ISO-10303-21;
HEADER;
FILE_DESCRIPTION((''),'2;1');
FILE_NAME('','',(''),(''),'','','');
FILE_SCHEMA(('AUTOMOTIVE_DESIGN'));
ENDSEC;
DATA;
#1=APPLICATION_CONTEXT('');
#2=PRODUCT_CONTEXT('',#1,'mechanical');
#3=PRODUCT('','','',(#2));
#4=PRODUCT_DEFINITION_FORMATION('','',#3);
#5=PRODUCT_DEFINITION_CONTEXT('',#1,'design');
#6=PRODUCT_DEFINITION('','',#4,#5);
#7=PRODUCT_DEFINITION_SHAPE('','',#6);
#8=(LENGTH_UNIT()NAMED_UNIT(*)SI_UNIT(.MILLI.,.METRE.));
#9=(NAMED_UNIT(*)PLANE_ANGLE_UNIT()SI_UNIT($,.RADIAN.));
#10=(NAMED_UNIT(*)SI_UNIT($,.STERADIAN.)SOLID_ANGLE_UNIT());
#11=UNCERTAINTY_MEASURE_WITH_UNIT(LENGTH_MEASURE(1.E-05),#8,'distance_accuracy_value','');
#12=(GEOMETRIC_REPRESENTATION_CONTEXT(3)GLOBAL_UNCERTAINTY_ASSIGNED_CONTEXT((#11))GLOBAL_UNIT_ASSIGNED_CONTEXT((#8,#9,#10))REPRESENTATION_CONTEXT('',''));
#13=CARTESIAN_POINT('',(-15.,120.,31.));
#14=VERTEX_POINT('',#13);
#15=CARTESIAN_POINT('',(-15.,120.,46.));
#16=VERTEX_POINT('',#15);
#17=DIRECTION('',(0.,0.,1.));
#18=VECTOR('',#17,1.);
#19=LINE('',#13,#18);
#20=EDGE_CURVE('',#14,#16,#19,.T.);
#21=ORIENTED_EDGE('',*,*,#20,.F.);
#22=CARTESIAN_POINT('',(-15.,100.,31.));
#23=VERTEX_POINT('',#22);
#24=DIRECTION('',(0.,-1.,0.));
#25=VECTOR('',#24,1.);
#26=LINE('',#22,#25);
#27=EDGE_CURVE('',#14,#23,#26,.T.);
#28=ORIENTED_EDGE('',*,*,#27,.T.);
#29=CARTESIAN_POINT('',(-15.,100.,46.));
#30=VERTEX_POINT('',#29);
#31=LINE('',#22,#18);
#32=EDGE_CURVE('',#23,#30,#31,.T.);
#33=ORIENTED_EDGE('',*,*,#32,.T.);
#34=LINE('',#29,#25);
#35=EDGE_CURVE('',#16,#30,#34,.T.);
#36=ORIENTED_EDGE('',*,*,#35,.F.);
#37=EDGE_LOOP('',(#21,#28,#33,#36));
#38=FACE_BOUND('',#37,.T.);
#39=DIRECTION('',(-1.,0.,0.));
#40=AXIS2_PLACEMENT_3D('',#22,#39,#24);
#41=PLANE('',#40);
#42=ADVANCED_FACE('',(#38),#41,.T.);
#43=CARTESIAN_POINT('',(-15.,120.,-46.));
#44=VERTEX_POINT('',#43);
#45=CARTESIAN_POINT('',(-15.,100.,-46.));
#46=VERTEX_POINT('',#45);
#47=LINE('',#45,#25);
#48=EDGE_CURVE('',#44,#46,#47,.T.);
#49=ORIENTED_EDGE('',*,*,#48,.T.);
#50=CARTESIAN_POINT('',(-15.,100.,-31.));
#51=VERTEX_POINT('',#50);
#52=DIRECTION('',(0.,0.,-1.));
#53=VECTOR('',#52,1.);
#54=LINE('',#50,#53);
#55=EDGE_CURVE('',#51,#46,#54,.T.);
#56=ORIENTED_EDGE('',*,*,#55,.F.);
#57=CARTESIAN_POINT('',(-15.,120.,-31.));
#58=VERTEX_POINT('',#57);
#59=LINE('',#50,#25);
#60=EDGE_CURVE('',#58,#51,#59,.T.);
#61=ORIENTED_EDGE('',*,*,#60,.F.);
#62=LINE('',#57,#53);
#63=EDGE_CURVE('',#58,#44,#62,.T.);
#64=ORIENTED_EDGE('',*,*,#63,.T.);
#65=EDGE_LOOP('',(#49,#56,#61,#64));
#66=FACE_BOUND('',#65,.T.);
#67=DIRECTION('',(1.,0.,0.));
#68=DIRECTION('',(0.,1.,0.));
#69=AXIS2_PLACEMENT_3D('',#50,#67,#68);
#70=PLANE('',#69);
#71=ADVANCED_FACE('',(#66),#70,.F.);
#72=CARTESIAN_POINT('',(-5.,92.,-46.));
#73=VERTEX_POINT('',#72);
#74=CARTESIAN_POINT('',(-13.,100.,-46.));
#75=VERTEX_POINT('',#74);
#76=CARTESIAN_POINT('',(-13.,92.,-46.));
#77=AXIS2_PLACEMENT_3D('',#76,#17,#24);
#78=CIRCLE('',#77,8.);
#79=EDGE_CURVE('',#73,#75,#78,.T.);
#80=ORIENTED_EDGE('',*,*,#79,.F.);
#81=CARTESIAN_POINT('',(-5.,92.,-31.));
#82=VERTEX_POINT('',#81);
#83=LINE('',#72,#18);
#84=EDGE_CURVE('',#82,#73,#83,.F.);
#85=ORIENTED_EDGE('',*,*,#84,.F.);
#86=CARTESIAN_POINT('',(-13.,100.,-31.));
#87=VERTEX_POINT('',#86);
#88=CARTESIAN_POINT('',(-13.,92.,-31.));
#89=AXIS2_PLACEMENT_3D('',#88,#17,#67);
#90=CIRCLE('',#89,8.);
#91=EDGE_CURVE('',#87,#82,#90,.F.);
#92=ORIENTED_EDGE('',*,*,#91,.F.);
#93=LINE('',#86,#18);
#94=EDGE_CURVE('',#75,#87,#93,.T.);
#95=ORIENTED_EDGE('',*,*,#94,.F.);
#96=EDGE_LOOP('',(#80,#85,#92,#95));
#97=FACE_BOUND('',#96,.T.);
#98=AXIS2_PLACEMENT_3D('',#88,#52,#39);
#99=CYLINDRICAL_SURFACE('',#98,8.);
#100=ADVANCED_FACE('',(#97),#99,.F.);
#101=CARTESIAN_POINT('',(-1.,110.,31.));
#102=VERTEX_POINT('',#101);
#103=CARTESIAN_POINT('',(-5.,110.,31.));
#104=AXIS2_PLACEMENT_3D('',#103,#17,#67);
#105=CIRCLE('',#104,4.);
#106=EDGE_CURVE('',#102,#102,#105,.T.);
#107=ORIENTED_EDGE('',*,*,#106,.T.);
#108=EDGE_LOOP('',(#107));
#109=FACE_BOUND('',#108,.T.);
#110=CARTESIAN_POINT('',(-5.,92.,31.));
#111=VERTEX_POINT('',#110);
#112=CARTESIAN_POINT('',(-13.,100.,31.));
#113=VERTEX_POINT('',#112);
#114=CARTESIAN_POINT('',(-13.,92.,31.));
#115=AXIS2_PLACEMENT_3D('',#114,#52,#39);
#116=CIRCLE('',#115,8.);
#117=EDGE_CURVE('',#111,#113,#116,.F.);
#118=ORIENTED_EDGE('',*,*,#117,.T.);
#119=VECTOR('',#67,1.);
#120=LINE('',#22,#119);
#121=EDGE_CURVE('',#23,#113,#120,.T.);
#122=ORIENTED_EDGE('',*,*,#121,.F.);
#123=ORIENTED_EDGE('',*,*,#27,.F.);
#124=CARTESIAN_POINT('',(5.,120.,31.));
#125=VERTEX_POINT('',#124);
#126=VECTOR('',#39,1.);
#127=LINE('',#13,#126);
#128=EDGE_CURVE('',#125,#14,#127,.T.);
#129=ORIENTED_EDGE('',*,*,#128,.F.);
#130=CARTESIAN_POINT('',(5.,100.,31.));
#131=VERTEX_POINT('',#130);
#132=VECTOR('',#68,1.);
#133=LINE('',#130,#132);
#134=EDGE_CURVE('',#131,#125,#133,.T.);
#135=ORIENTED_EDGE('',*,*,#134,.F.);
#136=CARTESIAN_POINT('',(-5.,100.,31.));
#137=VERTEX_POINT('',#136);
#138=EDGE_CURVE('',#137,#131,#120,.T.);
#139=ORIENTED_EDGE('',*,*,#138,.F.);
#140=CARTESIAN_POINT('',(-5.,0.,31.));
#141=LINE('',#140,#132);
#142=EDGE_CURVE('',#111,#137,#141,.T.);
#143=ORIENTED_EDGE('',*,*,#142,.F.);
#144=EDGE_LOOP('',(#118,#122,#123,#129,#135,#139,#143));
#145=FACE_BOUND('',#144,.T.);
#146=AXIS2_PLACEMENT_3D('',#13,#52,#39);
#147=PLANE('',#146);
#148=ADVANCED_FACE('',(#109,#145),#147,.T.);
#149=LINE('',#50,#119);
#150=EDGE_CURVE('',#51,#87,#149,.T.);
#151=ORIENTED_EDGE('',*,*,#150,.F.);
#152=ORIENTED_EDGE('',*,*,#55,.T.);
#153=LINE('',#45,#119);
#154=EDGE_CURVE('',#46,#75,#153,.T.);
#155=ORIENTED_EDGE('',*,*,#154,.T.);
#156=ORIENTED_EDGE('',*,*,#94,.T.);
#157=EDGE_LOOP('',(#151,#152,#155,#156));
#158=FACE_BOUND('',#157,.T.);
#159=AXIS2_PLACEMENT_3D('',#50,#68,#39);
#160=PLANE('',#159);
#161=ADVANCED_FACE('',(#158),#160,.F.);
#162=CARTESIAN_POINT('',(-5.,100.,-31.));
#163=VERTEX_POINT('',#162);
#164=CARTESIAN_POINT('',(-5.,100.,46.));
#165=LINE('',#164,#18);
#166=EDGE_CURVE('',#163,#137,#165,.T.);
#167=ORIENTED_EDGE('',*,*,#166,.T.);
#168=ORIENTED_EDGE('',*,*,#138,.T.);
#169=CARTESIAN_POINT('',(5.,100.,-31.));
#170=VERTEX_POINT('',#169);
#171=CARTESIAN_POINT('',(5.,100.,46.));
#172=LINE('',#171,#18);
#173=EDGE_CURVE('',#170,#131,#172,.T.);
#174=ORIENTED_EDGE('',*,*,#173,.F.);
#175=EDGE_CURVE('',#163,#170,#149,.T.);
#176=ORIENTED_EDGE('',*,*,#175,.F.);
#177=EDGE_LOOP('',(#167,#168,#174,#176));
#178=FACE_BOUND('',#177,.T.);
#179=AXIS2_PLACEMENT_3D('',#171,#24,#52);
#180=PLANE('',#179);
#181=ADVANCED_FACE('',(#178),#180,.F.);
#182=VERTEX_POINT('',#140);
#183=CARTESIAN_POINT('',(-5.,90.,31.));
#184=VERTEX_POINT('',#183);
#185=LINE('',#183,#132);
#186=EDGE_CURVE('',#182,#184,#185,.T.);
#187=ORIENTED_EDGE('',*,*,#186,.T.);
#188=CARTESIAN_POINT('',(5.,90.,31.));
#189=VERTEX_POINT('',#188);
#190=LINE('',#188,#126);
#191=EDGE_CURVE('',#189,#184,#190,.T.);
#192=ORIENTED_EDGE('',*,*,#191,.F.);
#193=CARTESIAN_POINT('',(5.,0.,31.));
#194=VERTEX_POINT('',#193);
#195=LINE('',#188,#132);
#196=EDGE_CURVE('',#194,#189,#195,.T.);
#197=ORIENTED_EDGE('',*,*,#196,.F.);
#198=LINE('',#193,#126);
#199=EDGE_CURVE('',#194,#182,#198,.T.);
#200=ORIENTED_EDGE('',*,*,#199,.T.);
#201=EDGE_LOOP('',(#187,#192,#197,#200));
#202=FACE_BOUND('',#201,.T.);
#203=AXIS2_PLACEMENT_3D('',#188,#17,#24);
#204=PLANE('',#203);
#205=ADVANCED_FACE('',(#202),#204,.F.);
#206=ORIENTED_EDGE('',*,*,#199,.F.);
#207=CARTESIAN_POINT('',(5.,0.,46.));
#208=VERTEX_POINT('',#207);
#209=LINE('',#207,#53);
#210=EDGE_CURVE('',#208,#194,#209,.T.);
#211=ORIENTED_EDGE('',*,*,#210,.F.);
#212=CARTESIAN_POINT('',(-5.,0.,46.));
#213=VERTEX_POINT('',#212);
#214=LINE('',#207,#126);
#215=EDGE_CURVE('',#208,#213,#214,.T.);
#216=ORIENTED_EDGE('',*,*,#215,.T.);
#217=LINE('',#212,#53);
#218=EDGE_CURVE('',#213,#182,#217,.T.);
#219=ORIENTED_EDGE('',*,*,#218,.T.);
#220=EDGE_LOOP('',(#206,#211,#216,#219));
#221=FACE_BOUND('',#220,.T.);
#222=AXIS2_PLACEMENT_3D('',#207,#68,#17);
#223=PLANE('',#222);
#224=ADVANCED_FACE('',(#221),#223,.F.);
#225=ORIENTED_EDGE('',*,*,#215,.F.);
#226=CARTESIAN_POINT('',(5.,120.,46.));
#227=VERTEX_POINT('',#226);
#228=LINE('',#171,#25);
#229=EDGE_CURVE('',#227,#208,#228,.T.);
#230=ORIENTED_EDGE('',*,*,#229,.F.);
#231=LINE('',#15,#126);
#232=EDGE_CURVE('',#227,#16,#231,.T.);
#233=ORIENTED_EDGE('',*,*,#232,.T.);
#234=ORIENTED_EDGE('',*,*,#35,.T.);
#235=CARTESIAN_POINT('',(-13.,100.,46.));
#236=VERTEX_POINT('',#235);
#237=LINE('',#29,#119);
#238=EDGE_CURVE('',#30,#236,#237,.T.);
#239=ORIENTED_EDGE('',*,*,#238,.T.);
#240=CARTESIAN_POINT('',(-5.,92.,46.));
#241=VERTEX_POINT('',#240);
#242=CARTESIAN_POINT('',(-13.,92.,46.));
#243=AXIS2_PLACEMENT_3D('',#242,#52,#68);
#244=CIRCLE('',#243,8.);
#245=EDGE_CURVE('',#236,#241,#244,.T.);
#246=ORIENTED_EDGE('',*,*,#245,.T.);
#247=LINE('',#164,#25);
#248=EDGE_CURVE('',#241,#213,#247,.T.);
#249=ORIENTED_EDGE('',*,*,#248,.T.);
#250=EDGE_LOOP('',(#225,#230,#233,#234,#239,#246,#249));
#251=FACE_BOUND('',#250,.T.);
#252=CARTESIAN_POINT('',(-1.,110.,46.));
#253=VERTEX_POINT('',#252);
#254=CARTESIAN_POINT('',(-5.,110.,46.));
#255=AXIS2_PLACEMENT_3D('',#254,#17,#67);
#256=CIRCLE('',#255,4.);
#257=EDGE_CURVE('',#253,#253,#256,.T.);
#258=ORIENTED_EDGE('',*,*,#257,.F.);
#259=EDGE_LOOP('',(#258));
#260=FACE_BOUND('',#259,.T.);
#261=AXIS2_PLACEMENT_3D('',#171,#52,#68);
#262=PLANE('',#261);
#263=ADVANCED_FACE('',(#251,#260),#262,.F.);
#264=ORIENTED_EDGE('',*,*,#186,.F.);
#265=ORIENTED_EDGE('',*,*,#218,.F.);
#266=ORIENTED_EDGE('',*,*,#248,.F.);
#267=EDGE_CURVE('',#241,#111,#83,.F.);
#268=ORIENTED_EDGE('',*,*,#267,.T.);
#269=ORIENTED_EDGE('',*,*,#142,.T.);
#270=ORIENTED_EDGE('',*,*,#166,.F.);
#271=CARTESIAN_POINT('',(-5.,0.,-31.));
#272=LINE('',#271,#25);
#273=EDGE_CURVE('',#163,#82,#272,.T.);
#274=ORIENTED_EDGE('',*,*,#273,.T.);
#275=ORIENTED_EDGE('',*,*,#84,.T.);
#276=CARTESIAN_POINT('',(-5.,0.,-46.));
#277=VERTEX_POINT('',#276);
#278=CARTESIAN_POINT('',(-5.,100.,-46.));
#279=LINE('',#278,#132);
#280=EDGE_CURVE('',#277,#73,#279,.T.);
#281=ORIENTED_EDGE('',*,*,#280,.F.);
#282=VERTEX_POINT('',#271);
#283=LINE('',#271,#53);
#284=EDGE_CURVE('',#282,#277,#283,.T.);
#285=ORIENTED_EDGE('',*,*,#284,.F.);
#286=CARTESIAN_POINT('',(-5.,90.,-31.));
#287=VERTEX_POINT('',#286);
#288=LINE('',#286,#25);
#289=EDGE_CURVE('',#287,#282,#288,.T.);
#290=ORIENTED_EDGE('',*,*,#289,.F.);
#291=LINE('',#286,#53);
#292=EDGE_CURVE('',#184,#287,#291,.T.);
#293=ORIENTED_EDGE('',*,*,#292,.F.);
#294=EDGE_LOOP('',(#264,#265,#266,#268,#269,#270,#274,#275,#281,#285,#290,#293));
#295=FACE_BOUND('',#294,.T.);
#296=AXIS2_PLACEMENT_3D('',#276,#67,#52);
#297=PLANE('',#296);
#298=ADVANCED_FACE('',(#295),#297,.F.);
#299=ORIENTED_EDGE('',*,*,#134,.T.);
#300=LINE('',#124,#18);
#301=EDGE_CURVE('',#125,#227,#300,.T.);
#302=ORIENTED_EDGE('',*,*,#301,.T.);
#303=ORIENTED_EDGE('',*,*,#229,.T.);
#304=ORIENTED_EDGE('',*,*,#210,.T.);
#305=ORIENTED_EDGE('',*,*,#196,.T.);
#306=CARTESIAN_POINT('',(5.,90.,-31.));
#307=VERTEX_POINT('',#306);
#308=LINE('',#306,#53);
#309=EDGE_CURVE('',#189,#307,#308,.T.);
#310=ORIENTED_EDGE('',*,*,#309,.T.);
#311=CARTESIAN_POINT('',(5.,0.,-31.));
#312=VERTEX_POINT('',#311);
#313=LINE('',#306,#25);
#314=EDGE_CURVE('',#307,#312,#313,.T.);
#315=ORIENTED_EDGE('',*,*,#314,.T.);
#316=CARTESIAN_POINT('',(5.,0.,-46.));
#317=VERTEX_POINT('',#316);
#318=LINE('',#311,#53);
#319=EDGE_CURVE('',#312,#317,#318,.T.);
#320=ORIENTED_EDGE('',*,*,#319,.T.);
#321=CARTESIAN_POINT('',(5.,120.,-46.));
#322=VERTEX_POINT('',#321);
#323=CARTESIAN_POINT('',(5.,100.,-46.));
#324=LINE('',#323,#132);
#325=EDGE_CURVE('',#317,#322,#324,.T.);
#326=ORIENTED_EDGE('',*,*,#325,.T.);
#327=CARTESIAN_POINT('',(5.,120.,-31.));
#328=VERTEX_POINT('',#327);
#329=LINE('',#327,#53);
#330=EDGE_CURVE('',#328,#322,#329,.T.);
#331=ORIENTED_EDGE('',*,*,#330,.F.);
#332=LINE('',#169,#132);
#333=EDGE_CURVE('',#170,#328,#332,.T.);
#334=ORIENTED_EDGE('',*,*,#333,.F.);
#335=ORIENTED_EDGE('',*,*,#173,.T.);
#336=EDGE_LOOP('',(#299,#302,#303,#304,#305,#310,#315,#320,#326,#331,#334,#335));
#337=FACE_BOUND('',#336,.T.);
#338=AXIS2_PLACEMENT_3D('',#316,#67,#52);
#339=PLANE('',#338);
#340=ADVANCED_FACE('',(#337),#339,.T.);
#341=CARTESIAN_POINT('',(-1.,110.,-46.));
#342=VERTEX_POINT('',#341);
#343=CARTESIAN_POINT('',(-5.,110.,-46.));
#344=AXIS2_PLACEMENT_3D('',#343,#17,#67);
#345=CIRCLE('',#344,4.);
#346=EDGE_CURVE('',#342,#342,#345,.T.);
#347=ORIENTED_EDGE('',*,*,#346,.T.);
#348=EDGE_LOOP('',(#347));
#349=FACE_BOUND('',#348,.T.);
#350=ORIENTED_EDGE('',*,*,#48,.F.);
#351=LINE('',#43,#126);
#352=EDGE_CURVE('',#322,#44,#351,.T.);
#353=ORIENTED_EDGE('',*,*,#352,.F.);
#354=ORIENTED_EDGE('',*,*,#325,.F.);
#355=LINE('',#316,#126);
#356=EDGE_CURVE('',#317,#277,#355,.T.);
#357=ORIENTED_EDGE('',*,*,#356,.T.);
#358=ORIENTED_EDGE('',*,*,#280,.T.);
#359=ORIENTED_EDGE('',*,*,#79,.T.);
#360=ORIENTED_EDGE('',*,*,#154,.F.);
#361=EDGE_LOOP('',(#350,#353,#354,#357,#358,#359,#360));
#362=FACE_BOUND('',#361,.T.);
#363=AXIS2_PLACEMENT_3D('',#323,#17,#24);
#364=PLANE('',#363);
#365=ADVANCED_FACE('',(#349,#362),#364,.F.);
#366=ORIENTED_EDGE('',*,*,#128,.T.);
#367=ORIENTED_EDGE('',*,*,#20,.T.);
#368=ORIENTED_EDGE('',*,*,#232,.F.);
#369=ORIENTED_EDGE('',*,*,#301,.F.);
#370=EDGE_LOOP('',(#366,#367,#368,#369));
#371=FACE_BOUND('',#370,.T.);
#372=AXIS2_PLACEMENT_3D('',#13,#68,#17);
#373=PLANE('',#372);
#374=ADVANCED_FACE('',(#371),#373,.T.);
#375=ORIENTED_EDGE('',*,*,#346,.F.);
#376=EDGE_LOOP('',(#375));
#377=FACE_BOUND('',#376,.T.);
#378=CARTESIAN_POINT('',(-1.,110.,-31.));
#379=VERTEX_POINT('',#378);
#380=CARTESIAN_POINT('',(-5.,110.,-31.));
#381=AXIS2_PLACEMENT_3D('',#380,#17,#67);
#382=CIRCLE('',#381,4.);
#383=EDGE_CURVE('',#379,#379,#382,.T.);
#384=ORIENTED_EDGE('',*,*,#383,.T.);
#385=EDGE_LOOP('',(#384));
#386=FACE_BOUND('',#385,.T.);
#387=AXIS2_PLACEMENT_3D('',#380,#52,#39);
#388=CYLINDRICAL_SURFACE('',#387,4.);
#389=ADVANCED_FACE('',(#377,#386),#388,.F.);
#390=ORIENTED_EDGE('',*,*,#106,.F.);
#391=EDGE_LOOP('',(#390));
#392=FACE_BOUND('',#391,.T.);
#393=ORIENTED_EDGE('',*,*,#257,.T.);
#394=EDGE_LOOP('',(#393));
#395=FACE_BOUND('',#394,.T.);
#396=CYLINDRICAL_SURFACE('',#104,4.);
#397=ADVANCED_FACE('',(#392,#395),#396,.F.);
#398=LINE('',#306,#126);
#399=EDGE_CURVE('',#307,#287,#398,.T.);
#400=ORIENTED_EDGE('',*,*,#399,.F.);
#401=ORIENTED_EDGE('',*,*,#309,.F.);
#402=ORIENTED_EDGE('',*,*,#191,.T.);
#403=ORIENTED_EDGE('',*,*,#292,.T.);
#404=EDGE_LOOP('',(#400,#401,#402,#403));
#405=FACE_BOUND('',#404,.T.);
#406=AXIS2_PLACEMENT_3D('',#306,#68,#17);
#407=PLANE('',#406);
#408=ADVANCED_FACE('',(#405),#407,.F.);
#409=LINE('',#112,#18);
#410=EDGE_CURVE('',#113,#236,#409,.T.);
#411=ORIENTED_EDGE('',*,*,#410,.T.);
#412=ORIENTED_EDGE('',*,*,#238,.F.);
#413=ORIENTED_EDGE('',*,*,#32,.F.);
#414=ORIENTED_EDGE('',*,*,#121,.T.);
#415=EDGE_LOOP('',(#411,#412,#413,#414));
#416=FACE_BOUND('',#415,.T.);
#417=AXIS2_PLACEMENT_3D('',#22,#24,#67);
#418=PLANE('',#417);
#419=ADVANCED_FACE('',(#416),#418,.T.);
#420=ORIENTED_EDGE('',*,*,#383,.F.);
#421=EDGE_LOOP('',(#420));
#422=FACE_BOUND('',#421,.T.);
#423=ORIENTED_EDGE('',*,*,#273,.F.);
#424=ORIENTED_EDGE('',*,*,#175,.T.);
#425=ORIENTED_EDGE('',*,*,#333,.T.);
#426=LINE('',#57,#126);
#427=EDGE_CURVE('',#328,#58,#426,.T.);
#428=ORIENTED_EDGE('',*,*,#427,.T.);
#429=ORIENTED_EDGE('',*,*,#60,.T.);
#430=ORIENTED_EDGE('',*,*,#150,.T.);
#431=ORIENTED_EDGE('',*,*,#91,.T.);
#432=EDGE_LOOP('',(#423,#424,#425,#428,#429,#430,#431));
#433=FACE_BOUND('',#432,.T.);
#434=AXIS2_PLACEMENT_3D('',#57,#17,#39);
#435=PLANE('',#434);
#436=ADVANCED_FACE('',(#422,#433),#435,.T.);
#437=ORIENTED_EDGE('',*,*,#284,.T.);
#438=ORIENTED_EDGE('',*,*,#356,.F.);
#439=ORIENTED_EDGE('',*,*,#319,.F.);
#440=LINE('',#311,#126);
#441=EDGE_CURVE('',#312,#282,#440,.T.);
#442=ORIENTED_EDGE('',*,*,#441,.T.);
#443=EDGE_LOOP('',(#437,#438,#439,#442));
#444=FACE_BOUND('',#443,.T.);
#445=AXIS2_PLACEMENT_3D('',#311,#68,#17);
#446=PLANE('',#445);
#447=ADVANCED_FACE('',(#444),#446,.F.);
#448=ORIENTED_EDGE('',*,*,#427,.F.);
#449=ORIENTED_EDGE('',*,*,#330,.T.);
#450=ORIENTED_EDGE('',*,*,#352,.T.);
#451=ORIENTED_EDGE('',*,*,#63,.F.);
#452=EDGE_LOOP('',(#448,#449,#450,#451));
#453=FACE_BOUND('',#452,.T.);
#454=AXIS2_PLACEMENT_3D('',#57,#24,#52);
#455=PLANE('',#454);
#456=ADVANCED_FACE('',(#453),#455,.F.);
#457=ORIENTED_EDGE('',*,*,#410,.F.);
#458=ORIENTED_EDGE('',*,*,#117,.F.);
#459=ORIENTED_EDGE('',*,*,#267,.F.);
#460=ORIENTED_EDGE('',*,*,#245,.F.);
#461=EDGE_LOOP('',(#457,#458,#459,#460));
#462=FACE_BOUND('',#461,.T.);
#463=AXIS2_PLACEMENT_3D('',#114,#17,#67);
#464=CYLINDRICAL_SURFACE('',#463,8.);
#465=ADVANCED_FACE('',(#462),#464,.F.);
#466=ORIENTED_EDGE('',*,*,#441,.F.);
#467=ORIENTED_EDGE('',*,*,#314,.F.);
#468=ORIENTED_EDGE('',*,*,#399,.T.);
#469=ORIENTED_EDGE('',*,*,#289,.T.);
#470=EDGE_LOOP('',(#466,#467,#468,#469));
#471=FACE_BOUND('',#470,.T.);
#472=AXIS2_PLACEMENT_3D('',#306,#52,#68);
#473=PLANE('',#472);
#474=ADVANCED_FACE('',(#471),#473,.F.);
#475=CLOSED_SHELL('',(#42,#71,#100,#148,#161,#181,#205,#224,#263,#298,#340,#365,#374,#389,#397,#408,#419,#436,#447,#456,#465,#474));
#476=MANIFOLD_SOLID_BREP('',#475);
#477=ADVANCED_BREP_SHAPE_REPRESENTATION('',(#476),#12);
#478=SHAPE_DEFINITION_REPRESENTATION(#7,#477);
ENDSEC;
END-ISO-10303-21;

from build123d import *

# Parameters (mm, degrees)
EXTRUDE_2_DEPTH = 5
SKETCH_5_W      = 20
SKETCH_5_H      = 20
SKETCH_5_R      = 4
EXTRUDE_3_DEPTH = 15
FILLET_1_R      = 8


with BuildPart() as part:
    # 草图3 → 凸台-拉伸2 (new, symmetric)
    with BuildSketch(Plane(origin=(0, 0, 0), x_dir=(0, 0, -1), z_dir=(1, 0, 0))):
        Polygon((31, 0), (46, 0), (46, 100), (-46, 100), (-46, 0), (-31, 0), (-31, 90), (31, 90), align=None)
    extrude(amount=EXTRUDE_2_DEPTH, both=True)

    # 草图5 → 凸台-拉伸3 (add)
    with BuildSketch(Plane.XY.offset(46)):
        with Locations((-5, 110)):
            Rectangle(SKETCH_5_W, SKETCH_5_H)
        with Locations((-5, 110)):
            Circle(SKETCH_5_R, mode=Mode.SUBTRACT)
    extrude_3 = extrude(amount=-EXTRUDE_3_DEPTH)

    # 镜向1: 凸台-拉伸3 across plane
    add(extrude_3.mirror(Plane.XY))

    # 圆角1
    fillet_1_edges = [part.edges().sort_by_distance(p)[0] for p in [
        (-5, 100, -38.5),
        (-5, 100, 38.5),
    ]]
    fillet(fillet_1_edges, radius=FILLET_1_R)


solid = part.part
